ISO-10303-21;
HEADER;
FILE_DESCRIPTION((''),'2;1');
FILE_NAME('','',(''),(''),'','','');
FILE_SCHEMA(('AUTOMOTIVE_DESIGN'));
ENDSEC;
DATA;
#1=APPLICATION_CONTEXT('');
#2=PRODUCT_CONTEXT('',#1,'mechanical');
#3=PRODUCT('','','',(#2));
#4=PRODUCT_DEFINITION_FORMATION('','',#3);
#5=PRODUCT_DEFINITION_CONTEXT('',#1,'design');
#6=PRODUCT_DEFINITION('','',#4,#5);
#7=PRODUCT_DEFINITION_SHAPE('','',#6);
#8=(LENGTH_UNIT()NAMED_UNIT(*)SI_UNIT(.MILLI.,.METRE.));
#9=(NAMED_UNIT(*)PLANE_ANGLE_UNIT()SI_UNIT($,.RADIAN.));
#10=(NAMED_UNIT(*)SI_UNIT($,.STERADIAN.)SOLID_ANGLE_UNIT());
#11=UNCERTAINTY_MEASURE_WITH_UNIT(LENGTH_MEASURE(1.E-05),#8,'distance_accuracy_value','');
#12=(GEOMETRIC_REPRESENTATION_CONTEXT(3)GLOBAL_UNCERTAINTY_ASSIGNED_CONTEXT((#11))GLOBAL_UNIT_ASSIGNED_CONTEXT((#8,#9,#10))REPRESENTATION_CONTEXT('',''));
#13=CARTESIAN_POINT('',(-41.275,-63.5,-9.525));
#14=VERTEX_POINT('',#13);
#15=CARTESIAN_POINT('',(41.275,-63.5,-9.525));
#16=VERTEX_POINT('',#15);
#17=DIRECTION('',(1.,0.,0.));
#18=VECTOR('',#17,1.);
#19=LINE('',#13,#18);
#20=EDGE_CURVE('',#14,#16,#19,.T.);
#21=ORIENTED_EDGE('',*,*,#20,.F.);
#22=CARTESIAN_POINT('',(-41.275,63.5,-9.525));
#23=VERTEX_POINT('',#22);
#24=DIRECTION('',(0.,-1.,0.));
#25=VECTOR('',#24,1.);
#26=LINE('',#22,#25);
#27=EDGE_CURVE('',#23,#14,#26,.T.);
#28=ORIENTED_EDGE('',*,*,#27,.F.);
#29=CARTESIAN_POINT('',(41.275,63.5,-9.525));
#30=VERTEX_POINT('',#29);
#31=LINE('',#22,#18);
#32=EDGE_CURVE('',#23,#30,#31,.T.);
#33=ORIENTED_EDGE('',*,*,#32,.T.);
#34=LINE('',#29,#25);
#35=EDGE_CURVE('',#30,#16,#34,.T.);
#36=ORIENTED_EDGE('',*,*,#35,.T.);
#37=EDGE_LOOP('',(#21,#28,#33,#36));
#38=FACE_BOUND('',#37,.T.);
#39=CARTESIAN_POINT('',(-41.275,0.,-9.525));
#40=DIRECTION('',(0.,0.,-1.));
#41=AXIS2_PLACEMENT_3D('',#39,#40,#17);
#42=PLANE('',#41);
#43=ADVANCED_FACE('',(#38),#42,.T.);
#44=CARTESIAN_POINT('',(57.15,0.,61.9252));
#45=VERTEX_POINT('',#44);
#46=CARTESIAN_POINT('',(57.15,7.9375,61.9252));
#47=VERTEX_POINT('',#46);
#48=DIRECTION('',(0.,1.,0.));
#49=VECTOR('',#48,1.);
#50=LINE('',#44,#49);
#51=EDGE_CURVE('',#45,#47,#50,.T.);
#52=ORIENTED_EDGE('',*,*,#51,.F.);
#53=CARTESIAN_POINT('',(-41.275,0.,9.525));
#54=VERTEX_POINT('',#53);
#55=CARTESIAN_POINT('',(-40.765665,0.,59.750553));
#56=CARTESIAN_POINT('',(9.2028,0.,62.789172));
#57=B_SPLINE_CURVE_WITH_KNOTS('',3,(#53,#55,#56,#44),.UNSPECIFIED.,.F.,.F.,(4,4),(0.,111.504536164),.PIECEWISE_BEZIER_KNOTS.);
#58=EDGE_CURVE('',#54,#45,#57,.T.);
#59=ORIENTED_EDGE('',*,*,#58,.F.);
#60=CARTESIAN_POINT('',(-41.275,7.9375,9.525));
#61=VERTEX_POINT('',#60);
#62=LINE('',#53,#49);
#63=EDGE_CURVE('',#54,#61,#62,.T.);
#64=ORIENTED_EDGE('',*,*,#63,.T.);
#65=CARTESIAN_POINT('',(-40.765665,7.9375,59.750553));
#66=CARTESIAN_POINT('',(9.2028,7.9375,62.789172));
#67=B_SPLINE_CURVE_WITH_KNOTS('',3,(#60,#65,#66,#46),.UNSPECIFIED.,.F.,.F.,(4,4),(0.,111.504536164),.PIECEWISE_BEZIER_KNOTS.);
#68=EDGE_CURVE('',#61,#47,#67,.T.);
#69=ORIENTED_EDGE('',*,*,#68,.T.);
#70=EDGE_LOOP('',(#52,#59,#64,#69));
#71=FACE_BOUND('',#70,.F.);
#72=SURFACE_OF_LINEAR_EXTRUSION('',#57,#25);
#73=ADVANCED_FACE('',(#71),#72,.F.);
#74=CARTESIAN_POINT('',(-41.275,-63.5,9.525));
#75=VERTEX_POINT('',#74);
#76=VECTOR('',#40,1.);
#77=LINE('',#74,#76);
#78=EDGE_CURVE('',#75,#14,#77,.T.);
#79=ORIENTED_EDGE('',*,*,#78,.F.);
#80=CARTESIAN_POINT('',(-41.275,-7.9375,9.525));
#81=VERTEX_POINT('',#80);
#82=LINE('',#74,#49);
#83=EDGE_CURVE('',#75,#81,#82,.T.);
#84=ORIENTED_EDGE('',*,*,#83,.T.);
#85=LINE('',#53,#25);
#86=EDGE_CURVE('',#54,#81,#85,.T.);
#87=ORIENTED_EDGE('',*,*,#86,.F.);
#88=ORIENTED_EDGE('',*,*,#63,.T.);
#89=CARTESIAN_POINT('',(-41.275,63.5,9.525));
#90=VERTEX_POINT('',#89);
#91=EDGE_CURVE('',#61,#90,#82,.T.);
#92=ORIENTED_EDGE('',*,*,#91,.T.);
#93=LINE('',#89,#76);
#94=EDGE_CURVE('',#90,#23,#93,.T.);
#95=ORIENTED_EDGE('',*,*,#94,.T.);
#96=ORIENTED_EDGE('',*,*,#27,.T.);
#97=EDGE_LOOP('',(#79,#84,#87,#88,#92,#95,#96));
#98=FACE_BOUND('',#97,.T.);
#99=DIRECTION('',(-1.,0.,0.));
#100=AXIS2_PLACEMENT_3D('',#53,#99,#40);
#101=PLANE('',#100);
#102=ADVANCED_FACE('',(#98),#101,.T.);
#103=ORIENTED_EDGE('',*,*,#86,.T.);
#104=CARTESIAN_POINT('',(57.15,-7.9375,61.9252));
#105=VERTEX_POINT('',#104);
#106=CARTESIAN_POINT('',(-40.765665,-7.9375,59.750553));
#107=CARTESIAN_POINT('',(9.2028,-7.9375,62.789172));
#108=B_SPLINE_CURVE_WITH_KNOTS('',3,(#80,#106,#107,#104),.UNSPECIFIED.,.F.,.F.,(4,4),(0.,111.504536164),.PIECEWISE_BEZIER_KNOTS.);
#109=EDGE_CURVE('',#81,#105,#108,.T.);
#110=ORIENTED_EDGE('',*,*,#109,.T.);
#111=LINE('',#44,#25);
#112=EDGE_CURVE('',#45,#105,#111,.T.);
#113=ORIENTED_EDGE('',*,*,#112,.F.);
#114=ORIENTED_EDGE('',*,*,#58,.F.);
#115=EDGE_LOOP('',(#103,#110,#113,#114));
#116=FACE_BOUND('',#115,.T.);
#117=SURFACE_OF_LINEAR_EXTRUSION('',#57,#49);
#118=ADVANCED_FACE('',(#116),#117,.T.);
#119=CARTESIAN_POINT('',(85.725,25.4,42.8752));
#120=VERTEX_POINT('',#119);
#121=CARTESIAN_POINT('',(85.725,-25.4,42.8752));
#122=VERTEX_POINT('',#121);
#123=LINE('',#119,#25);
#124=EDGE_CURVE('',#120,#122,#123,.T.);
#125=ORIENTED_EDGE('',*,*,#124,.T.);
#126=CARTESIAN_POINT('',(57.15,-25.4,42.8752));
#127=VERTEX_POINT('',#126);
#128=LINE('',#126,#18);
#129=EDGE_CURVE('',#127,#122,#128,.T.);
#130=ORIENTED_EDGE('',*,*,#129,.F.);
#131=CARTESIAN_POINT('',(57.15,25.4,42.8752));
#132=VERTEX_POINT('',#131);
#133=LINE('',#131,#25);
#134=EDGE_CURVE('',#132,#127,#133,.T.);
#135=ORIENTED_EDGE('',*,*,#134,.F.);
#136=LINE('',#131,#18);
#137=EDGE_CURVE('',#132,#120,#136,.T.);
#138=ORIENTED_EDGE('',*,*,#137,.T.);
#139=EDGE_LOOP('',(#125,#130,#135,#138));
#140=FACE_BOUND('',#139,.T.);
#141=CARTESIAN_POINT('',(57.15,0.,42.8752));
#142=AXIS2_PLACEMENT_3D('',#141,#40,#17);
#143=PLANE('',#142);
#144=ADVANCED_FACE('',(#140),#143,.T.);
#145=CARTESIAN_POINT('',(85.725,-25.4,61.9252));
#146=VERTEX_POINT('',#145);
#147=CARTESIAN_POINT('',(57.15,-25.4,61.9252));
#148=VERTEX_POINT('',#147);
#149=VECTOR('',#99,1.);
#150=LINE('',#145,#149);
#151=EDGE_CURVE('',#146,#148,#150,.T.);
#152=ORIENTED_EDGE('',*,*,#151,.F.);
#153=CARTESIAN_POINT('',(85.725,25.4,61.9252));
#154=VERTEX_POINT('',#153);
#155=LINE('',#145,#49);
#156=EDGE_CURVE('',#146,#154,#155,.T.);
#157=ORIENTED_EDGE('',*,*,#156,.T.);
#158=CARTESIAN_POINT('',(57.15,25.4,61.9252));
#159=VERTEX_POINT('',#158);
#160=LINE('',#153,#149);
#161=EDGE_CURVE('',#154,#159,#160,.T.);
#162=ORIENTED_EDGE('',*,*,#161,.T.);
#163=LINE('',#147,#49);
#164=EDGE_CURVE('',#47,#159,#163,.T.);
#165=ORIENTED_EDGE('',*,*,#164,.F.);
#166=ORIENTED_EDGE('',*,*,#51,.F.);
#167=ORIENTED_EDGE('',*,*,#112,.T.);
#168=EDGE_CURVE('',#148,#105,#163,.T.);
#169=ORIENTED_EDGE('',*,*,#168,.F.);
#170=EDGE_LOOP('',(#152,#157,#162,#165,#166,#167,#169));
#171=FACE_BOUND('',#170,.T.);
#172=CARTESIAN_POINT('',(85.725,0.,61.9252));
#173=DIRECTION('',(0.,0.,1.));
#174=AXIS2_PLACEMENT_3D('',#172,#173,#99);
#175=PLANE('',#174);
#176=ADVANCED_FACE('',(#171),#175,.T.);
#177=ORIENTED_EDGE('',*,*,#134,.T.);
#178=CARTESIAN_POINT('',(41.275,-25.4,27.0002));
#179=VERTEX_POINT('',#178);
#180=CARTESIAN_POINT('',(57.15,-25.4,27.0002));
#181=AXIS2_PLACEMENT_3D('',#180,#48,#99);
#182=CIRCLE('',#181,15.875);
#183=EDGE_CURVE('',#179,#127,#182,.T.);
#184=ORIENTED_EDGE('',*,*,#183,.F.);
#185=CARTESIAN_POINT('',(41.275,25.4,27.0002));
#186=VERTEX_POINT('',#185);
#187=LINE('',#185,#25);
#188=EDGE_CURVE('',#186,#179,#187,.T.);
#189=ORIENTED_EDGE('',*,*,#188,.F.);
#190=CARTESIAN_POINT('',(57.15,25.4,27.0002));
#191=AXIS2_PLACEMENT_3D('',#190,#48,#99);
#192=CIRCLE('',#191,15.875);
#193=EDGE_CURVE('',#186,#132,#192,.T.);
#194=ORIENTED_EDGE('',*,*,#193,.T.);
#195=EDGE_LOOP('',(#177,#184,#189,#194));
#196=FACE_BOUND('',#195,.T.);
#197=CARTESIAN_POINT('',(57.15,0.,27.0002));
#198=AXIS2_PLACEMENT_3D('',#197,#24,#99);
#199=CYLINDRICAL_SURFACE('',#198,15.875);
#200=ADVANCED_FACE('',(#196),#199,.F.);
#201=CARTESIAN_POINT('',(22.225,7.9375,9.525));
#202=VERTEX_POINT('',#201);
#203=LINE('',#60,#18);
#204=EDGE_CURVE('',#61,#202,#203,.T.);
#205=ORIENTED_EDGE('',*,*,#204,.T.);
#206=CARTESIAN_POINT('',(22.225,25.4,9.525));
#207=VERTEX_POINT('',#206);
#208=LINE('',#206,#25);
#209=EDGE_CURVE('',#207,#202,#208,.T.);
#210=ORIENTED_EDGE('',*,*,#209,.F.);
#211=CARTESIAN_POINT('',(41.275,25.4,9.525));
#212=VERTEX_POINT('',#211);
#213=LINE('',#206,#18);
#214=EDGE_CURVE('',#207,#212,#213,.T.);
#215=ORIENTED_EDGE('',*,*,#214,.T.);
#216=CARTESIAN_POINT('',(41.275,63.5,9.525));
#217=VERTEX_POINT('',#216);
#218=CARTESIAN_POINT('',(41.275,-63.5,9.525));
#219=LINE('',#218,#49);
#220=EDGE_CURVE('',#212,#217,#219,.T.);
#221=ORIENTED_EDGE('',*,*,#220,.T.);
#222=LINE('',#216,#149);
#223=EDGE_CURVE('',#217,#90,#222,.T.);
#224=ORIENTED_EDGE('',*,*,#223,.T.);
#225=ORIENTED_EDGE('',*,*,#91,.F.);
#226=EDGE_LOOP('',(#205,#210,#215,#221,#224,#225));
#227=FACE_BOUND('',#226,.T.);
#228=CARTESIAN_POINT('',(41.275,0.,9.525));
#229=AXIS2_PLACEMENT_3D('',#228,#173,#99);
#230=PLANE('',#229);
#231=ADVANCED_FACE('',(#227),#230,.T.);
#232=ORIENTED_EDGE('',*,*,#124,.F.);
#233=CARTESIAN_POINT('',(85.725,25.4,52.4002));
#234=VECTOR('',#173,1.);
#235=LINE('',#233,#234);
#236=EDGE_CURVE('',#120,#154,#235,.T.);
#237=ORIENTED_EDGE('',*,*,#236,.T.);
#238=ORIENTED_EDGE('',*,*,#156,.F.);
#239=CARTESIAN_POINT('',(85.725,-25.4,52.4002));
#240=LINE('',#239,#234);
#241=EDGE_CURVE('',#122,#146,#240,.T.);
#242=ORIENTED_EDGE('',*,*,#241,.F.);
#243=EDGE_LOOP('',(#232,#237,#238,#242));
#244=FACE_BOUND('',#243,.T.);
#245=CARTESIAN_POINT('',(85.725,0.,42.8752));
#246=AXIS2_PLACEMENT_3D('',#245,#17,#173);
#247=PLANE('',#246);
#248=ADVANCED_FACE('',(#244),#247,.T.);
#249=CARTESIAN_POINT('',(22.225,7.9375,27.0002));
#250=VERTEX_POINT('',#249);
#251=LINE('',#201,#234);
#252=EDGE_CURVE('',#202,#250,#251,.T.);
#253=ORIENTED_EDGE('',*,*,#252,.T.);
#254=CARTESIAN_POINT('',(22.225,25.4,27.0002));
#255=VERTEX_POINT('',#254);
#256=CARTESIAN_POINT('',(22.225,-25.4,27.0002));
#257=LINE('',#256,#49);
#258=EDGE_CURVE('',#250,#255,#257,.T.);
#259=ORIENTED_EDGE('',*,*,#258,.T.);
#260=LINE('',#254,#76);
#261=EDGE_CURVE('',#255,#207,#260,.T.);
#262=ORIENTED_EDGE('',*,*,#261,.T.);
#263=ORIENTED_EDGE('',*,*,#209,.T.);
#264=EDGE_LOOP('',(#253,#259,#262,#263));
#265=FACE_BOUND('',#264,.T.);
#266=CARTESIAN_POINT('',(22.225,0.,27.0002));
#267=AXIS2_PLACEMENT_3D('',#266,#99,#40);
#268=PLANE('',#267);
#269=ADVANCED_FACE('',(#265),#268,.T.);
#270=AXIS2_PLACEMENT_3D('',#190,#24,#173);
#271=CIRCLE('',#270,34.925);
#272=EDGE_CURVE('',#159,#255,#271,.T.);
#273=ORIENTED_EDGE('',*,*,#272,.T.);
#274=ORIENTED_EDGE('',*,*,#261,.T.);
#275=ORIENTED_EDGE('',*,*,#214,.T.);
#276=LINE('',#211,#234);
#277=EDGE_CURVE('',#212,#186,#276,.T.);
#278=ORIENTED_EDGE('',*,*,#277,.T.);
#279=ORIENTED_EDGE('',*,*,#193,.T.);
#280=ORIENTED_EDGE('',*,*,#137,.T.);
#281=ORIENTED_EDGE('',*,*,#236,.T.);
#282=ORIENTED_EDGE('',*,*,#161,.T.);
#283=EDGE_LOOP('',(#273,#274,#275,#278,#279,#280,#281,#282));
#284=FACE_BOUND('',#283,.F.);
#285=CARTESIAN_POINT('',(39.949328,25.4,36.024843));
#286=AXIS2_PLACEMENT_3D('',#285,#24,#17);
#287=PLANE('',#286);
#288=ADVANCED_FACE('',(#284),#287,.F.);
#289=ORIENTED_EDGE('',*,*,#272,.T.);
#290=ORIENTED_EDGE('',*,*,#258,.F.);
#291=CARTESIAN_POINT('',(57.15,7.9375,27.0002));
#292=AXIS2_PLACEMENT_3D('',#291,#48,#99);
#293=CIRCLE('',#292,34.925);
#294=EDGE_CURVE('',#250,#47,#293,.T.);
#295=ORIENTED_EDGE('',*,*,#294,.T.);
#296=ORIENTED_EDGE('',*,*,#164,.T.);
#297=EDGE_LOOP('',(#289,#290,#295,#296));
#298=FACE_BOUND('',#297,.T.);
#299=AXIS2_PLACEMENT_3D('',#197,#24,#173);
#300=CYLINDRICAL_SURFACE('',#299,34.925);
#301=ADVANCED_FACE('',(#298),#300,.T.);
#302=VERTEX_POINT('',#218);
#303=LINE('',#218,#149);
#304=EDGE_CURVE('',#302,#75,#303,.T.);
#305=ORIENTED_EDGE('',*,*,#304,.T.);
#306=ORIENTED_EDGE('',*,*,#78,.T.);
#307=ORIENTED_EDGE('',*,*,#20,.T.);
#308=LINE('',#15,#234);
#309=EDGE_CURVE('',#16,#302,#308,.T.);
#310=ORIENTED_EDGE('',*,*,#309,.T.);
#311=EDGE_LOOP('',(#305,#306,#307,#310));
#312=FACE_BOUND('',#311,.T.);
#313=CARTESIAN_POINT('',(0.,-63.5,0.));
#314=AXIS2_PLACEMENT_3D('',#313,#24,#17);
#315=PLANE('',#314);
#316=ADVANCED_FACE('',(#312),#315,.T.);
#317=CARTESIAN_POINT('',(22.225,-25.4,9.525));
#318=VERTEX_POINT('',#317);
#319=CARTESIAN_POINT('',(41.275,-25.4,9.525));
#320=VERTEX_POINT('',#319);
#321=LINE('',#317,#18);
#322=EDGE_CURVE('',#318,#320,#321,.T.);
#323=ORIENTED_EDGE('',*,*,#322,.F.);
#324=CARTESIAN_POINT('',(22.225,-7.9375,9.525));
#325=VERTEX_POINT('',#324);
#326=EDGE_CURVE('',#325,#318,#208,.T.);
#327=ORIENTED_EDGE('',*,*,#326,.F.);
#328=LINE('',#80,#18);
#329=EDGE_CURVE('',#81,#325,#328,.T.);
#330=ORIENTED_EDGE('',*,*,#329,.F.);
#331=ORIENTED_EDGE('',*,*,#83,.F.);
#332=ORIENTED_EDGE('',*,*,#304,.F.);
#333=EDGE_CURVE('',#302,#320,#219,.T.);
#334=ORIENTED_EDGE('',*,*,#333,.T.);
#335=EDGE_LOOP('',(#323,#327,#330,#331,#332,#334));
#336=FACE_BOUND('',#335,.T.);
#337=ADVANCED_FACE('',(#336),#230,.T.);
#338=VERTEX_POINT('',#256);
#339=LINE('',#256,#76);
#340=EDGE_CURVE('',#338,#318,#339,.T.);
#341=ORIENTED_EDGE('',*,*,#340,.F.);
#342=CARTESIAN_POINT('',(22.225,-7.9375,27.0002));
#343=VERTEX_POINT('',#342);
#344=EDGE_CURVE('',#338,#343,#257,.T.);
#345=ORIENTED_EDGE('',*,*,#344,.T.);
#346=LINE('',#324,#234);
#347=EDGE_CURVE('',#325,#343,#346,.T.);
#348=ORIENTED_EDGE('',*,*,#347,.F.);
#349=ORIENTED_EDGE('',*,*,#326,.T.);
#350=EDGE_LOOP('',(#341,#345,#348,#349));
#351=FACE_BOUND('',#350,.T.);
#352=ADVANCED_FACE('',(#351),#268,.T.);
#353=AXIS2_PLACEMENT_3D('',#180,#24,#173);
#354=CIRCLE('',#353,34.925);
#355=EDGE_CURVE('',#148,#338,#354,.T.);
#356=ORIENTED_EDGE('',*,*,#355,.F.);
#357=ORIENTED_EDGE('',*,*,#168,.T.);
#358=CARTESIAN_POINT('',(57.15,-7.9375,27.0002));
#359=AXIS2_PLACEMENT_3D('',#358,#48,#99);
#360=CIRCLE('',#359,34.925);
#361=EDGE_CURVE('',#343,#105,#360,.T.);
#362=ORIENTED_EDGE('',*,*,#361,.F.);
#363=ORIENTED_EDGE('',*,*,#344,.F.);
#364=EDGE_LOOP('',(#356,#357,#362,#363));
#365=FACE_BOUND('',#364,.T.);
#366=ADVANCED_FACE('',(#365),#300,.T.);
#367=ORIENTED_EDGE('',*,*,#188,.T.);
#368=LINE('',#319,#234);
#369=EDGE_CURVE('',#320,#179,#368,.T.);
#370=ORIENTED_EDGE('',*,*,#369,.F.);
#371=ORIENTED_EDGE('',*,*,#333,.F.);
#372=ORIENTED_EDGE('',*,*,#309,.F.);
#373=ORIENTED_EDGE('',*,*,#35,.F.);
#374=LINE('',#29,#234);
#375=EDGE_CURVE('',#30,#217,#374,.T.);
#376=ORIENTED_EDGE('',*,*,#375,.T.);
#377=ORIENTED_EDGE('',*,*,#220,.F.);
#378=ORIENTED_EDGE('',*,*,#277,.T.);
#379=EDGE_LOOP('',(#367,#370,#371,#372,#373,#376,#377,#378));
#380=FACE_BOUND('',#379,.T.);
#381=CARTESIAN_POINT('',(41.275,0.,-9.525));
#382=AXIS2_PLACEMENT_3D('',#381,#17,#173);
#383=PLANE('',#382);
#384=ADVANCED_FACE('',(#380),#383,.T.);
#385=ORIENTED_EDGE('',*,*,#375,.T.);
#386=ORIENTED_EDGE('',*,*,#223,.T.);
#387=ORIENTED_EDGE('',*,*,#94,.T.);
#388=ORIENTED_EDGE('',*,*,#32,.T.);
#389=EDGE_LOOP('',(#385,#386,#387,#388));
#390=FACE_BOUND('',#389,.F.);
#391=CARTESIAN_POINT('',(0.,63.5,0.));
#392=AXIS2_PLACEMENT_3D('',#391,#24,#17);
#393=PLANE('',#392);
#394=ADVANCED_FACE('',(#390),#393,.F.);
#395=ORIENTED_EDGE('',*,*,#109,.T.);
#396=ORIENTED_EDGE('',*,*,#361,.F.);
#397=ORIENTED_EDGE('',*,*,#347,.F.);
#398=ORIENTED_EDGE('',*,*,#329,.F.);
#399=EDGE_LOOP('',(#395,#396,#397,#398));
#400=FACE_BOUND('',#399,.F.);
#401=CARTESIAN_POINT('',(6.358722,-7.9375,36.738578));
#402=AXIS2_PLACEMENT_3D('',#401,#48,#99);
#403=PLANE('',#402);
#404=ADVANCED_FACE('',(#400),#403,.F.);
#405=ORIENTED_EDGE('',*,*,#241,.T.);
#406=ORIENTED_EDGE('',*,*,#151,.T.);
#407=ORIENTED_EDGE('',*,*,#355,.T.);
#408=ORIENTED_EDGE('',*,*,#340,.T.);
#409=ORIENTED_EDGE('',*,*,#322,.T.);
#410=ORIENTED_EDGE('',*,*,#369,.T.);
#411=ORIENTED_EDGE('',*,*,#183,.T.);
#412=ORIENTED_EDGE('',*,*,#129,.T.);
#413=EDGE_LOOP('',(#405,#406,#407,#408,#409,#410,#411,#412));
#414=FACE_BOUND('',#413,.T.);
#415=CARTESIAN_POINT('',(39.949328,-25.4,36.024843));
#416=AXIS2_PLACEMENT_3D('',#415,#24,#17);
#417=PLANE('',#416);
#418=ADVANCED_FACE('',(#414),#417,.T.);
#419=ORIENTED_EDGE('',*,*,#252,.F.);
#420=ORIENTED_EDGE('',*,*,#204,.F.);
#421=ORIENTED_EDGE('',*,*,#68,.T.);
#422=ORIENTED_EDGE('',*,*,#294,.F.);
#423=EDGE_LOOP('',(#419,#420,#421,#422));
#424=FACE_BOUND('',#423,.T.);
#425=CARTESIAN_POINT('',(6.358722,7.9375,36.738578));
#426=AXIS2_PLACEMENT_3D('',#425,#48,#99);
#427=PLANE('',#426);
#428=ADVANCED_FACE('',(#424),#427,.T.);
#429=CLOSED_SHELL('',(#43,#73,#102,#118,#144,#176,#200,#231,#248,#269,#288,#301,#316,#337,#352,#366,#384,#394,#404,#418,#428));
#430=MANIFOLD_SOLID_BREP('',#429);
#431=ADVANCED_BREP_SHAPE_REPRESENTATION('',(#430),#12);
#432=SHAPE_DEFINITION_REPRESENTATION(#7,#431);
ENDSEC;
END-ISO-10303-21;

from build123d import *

# Parameters (mm, degrees)
F1_DEPTH = 63.5
F0_W     = 25.4
F0_H     = 19.05
F2_DEPTH = 25.4
F3_DEPTH = 7.9375


with BuildPart() as f1:
    # F0 (on Front) → F1 (new body, symmetric)
    with BuildSketch(Plane.XZ):
        Polygon((22.225, 9.525), (-41.275, 9.525), (-41.275, -9.525), (41.275, -9.525), (41.275, 9.525), align=None)
    extrude(amount=F1_DEPTH, both=True)

    # F0 (on Front) → F2 (join, symmetric)
    with BuildSketch(Plane.XZ):
        with BuildLine():
            Line((22.225, 27.0002), (22.225, 9.525))
            Line((22.225, 9.525), (41.275, 9.525))
            Line((41.275, 9.525), (41.275, 27.0002))
            ThreePointArc((41.275, 27.0002), (45.9246798487, 38.2255201513), (57.15, 42.8752))
            Line((57.15, 42.8752), (60.325, 42.8752))
            Line((60.325, 42.8752), (60.325, 61.9252))
            Line((60.325, 61.9252), (57.15, 61.9252))
            ThreePointArc((57.15, 61.9252), (32.4542956671, 51.6959043329), (22.225, 27.0002))
        make_face()
        with Locations((73.025, 52.4002)):
            Rectangle(F0_W, F0_H)
    extrude(amount=F2_DEPTH, both=True)

    # F0 (on Front) → F3 (join, symmetric)
    with BuildSketch(Plane.XZ):
        with BuildLine():
            add(Edge.make_bspline(
                [(-41.275, 9.525), (-40.7656654716, 59.7505532205), (9.2027997598, 62.7891719341), (57.15, 61.9252)],
                knots=[0, 0, 0, 0, 111.5045361635, 111.5045361635, 111.5045361635, 111.5045361635], degree=3))
            Line((-41.275, 9.525), (22.225, 9.525))
            Line((22.225, 9.525), (22.225, 27.0002))
            ThreePointArc((22.225, 27.0002), (32.4542956671, 51.6959043329), (57.15, 61.9252))
        make_face()
    extrude(amount=F3_DEPTH, both=True)


solid = f1.part
